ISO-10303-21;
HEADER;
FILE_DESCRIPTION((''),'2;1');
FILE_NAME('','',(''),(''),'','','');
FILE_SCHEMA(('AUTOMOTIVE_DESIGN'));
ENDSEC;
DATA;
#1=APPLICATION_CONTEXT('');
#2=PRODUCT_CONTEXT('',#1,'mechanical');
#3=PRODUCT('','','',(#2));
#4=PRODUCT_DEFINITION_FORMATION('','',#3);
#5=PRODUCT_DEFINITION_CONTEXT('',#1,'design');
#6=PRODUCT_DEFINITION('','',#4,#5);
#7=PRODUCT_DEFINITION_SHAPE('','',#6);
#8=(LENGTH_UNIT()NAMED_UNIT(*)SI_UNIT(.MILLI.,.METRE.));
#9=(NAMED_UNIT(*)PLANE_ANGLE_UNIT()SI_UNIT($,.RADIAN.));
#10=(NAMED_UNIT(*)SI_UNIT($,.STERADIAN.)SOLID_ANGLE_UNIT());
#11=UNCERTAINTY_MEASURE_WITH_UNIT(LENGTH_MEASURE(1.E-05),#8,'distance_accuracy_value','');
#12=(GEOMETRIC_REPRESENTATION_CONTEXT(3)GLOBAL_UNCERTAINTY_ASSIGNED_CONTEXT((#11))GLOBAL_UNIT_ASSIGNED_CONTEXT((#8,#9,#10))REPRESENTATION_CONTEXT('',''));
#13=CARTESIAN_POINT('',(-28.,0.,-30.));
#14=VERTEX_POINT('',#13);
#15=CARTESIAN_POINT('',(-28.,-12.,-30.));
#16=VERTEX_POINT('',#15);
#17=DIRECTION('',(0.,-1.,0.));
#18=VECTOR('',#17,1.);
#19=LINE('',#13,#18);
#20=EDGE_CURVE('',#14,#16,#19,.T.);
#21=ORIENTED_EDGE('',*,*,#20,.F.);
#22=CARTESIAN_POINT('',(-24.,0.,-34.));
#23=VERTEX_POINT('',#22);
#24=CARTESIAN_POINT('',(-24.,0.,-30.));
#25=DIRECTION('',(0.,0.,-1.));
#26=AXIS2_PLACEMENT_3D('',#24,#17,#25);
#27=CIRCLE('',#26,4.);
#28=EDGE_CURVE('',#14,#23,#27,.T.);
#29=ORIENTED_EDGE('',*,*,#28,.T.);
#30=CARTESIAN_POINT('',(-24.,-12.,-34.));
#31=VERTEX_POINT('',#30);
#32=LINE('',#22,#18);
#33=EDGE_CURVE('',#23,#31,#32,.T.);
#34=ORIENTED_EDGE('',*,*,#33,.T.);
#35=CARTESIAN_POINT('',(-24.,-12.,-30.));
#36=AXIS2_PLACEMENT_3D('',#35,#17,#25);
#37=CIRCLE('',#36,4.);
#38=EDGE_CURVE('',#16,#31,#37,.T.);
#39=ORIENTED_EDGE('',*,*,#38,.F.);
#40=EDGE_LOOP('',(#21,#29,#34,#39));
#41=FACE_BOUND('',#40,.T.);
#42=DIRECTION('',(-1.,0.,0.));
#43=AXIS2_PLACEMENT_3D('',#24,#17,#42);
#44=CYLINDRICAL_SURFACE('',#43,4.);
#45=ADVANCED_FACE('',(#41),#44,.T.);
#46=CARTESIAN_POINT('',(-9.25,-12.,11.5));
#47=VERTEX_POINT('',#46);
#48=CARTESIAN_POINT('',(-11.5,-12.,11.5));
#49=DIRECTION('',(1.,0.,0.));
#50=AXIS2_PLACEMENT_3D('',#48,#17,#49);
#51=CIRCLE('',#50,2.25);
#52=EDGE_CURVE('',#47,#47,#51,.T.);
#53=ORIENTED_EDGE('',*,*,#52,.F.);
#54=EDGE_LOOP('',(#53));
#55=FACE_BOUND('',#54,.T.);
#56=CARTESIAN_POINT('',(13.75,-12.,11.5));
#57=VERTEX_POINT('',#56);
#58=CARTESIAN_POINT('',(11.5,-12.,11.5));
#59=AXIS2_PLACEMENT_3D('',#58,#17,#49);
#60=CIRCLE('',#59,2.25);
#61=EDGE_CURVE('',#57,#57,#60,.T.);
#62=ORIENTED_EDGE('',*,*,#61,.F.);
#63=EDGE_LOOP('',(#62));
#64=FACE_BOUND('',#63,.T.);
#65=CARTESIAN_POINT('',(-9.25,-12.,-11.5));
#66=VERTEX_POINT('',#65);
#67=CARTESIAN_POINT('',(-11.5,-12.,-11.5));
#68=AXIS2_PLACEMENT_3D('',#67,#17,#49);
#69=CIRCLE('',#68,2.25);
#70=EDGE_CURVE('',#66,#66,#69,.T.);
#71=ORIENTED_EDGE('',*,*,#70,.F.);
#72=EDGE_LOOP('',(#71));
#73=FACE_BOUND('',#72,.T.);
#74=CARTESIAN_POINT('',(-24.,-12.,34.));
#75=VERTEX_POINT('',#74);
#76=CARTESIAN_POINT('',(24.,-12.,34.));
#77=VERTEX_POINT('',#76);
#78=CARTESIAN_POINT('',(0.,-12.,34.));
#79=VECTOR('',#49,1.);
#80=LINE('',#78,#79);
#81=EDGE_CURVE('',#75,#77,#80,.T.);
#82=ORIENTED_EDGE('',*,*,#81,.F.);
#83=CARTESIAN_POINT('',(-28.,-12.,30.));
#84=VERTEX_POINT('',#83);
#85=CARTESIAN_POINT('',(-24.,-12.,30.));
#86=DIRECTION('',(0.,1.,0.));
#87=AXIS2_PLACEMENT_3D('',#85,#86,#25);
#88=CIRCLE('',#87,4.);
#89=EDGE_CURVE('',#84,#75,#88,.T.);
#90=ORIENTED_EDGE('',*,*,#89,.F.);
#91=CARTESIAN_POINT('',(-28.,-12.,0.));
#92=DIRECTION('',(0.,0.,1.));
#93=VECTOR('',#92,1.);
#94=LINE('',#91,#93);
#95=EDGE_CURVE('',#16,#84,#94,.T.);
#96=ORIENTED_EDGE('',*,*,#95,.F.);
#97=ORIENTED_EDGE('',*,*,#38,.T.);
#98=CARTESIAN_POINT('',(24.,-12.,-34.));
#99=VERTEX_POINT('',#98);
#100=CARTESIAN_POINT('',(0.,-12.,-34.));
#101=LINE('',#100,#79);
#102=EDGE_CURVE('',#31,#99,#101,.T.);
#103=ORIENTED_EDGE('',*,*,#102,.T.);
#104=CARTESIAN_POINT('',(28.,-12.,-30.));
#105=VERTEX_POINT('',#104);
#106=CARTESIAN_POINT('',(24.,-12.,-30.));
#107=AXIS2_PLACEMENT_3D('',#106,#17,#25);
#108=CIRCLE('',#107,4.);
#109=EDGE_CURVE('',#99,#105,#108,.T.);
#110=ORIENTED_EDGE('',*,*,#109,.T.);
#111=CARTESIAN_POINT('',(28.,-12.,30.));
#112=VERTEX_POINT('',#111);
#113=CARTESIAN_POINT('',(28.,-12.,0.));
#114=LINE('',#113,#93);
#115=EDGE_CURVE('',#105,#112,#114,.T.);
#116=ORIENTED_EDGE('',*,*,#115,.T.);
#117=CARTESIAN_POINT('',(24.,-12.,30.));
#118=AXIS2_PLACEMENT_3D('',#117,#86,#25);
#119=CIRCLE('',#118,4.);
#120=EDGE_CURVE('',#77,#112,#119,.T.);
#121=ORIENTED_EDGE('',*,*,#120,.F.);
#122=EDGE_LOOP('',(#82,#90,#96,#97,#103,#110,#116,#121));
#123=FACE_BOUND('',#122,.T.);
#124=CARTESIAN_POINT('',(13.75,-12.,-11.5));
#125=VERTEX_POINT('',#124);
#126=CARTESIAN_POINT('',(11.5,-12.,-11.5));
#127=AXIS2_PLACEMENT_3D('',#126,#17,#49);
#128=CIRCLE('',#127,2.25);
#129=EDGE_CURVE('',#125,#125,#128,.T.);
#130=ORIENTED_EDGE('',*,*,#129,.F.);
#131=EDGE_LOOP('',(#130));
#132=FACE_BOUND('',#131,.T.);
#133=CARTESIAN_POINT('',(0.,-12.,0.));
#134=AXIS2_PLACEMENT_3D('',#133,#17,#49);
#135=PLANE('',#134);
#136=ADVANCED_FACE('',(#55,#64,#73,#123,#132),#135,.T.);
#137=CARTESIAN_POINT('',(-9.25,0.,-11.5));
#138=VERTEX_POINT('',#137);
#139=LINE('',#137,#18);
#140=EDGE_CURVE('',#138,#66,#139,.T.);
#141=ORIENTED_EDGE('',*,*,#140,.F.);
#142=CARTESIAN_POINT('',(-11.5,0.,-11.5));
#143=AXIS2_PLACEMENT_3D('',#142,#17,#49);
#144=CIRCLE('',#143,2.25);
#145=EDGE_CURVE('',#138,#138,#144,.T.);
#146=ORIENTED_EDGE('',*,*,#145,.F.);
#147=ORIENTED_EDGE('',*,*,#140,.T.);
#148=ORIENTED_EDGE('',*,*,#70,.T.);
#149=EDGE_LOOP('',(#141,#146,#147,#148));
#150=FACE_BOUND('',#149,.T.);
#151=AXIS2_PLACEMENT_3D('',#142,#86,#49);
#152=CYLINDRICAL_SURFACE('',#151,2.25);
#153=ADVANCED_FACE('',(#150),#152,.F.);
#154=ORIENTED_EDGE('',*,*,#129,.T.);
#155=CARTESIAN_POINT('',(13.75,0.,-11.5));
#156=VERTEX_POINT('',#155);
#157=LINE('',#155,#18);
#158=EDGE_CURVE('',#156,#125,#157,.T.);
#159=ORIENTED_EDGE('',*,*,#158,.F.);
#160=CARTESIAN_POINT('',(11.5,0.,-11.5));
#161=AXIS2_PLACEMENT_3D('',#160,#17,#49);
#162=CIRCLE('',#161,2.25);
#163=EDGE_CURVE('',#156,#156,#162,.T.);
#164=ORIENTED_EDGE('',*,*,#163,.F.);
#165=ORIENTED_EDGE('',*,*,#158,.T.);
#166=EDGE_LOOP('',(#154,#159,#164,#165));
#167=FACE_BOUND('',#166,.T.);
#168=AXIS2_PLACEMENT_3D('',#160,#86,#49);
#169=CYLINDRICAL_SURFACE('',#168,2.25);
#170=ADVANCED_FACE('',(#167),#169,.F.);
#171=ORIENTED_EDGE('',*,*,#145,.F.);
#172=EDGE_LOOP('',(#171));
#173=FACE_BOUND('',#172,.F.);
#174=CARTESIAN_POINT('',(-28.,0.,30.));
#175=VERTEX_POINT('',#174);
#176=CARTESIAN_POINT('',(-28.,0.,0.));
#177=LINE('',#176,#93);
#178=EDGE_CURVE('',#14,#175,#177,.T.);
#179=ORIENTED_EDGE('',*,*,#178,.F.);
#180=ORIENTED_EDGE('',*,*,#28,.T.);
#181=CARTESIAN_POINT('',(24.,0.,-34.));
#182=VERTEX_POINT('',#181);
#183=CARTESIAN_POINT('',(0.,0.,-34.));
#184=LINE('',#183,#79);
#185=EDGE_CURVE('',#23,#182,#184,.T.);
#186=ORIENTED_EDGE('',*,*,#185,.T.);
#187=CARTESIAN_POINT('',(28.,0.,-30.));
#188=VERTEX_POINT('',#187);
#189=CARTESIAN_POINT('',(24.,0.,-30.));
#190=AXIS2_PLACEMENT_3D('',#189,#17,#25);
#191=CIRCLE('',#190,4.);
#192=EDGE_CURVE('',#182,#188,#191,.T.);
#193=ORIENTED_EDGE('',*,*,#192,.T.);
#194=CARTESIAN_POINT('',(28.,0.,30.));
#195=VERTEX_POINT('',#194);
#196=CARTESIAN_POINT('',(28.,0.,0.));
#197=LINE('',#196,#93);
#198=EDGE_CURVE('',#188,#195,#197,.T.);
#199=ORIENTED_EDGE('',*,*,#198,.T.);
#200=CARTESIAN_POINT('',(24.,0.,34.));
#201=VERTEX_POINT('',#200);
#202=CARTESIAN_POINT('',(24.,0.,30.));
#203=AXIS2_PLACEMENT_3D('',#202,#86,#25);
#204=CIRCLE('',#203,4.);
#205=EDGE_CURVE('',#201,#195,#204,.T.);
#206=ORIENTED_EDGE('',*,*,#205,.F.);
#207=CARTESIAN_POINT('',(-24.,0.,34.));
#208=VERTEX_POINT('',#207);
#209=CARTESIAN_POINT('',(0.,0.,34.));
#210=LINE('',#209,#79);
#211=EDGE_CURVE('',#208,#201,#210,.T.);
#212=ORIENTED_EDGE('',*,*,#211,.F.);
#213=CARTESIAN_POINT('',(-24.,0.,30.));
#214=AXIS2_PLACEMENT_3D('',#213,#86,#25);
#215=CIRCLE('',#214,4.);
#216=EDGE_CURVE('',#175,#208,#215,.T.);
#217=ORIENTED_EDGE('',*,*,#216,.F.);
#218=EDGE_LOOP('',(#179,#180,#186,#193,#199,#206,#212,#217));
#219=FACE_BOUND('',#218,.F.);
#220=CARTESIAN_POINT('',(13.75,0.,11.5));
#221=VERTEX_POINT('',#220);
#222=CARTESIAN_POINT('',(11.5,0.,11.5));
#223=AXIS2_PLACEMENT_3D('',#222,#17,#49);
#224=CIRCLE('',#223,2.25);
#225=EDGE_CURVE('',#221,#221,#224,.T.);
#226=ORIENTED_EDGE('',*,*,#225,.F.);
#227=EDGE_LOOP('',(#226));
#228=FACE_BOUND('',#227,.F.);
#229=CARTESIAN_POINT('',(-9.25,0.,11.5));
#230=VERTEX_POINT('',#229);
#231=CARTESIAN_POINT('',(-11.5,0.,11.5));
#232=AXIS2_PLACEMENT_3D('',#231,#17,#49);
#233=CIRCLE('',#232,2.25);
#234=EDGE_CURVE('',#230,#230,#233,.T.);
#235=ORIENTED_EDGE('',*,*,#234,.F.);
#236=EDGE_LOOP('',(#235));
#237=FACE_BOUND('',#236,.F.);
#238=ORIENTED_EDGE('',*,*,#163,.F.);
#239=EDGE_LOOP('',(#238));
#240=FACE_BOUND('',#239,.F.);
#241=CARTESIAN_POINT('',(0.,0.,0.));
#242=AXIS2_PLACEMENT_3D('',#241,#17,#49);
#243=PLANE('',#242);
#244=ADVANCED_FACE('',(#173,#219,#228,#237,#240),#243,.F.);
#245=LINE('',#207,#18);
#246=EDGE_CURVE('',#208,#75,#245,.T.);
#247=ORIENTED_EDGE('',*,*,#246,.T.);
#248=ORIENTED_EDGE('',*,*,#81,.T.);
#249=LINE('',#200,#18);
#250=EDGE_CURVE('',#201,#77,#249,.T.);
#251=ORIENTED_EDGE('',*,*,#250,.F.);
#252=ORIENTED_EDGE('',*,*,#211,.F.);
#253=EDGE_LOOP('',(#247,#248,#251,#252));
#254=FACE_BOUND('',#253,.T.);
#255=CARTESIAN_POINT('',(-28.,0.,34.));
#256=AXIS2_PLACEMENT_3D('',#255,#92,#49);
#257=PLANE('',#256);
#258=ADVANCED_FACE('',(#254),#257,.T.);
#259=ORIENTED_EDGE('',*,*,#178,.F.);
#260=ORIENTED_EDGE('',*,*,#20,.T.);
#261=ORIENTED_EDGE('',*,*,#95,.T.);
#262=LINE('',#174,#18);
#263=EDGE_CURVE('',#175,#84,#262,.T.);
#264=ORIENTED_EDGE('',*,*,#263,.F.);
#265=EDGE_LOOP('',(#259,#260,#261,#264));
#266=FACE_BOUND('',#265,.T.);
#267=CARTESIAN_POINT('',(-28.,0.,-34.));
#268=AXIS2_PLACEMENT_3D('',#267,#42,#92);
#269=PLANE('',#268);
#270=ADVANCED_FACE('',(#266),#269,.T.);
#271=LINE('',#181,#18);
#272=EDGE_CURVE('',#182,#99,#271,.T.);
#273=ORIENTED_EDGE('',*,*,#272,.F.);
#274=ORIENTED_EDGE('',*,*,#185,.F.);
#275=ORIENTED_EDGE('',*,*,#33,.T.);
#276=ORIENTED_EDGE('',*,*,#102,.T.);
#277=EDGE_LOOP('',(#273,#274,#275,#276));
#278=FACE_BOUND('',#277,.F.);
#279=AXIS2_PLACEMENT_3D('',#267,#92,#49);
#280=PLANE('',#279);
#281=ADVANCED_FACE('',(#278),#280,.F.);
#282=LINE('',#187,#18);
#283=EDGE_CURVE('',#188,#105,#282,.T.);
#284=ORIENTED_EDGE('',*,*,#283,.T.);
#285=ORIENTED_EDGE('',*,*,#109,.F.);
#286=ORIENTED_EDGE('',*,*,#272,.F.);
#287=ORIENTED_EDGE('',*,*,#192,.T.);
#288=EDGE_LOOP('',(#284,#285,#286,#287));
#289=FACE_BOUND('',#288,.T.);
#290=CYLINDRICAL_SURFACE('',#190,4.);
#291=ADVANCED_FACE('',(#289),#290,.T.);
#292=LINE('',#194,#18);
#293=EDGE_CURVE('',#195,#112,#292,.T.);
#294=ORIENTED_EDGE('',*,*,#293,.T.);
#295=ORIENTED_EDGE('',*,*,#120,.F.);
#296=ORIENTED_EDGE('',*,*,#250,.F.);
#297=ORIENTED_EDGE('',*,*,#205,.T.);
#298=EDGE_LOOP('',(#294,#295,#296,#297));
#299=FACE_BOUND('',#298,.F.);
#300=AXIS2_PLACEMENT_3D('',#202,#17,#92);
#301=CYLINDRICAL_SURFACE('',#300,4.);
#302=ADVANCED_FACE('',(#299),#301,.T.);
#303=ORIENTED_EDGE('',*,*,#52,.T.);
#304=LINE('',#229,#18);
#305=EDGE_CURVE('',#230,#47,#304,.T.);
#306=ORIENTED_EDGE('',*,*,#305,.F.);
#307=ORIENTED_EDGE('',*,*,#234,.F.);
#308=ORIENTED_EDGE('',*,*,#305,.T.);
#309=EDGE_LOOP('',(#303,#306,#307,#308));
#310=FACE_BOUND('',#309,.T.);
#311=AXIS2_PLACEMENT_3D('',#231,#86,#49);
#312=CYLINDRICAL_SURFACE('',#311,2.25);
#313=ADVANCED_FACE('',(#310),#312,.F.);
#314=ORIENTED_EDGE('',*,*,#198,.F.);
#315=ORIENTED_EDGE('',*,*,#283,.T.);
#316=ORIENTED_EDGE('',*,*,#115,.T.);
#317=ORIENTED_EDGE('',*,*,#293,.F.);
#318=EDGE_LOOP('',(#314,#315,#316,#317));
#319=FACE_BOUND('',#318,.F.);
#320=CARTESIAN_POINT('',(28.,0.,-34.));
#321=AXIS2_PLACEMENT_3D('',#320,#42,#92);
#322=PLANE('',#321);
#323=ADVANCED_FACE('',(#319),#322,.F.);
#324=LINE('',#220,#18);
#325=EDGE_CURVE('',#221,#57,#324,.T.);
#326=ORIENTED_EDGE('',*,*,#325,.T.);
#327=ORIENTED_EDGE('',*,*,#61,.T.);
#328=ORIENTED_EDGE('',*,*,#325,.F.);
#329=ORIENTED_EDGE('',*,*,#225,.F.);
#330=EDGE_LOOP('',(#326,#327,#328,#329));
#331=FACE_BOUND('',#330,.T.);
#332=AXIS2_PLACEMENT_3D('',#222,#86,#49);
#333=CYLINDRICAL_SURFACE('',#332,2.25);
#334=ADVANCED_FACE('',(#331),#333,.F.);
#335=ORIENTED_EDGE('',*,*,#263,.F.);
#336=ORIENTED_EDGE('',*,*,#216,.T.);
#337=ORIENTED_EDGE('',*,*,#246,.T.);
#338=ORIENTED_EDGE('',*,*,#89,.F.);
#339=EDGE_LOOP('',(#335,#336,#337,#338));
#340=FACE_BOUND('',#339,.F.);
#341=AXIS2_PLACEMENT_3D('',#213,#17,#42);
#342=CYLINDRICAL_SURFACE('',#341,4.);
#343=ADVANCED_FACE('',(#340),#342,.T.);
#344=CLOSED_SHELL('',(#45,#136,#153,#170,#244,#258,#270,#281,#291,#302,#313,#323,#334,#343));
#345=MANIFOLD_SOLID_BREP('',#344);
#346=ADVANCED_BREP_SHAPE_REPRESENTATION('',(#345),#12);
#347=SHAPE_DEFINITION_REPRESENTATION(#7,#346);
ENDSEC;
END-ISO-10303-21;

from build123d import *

# Parameters (mm, degrees)
F0_W     = 56
F0_H     = 68
F0_R     = 2.25
F1_DEPTH = 12
F2_R     = 4


with BuildPart() as f1:
    # F0 (on Front) → F1 (new body)
    with BuildSketch(Plane.XZ):
        Rectangle(F0_W, F0_H)
        with Locations((-11.5, -11.5)):
            Circle(F0_R, mode=Mode.SUBTRACT)
        with Locations((11.5, -11.5)):
            Circle(F0_R, mode=Mode.SUBTRACT)
        with Locations((-11.5, 11.5)):
            Circle(F0_R, mode=Mode.SUBTRACT)
        with Locations((11.5, 11.5)):
            Circle(F0_R, mode=Mode.SUBTRACT)
    extrude(amount=F1_DEPTH)

    # F2
    f2_edges = [f1.edges().sort_by_distance(p)[0] for p in [
        (28, -6, -34),
        (-28, -6, -34),
        (28, -6, 34),
        (-28, -6, 34),
    ]]
    fillet(f2_edges, radius=F2_R)


solid = f1.part
